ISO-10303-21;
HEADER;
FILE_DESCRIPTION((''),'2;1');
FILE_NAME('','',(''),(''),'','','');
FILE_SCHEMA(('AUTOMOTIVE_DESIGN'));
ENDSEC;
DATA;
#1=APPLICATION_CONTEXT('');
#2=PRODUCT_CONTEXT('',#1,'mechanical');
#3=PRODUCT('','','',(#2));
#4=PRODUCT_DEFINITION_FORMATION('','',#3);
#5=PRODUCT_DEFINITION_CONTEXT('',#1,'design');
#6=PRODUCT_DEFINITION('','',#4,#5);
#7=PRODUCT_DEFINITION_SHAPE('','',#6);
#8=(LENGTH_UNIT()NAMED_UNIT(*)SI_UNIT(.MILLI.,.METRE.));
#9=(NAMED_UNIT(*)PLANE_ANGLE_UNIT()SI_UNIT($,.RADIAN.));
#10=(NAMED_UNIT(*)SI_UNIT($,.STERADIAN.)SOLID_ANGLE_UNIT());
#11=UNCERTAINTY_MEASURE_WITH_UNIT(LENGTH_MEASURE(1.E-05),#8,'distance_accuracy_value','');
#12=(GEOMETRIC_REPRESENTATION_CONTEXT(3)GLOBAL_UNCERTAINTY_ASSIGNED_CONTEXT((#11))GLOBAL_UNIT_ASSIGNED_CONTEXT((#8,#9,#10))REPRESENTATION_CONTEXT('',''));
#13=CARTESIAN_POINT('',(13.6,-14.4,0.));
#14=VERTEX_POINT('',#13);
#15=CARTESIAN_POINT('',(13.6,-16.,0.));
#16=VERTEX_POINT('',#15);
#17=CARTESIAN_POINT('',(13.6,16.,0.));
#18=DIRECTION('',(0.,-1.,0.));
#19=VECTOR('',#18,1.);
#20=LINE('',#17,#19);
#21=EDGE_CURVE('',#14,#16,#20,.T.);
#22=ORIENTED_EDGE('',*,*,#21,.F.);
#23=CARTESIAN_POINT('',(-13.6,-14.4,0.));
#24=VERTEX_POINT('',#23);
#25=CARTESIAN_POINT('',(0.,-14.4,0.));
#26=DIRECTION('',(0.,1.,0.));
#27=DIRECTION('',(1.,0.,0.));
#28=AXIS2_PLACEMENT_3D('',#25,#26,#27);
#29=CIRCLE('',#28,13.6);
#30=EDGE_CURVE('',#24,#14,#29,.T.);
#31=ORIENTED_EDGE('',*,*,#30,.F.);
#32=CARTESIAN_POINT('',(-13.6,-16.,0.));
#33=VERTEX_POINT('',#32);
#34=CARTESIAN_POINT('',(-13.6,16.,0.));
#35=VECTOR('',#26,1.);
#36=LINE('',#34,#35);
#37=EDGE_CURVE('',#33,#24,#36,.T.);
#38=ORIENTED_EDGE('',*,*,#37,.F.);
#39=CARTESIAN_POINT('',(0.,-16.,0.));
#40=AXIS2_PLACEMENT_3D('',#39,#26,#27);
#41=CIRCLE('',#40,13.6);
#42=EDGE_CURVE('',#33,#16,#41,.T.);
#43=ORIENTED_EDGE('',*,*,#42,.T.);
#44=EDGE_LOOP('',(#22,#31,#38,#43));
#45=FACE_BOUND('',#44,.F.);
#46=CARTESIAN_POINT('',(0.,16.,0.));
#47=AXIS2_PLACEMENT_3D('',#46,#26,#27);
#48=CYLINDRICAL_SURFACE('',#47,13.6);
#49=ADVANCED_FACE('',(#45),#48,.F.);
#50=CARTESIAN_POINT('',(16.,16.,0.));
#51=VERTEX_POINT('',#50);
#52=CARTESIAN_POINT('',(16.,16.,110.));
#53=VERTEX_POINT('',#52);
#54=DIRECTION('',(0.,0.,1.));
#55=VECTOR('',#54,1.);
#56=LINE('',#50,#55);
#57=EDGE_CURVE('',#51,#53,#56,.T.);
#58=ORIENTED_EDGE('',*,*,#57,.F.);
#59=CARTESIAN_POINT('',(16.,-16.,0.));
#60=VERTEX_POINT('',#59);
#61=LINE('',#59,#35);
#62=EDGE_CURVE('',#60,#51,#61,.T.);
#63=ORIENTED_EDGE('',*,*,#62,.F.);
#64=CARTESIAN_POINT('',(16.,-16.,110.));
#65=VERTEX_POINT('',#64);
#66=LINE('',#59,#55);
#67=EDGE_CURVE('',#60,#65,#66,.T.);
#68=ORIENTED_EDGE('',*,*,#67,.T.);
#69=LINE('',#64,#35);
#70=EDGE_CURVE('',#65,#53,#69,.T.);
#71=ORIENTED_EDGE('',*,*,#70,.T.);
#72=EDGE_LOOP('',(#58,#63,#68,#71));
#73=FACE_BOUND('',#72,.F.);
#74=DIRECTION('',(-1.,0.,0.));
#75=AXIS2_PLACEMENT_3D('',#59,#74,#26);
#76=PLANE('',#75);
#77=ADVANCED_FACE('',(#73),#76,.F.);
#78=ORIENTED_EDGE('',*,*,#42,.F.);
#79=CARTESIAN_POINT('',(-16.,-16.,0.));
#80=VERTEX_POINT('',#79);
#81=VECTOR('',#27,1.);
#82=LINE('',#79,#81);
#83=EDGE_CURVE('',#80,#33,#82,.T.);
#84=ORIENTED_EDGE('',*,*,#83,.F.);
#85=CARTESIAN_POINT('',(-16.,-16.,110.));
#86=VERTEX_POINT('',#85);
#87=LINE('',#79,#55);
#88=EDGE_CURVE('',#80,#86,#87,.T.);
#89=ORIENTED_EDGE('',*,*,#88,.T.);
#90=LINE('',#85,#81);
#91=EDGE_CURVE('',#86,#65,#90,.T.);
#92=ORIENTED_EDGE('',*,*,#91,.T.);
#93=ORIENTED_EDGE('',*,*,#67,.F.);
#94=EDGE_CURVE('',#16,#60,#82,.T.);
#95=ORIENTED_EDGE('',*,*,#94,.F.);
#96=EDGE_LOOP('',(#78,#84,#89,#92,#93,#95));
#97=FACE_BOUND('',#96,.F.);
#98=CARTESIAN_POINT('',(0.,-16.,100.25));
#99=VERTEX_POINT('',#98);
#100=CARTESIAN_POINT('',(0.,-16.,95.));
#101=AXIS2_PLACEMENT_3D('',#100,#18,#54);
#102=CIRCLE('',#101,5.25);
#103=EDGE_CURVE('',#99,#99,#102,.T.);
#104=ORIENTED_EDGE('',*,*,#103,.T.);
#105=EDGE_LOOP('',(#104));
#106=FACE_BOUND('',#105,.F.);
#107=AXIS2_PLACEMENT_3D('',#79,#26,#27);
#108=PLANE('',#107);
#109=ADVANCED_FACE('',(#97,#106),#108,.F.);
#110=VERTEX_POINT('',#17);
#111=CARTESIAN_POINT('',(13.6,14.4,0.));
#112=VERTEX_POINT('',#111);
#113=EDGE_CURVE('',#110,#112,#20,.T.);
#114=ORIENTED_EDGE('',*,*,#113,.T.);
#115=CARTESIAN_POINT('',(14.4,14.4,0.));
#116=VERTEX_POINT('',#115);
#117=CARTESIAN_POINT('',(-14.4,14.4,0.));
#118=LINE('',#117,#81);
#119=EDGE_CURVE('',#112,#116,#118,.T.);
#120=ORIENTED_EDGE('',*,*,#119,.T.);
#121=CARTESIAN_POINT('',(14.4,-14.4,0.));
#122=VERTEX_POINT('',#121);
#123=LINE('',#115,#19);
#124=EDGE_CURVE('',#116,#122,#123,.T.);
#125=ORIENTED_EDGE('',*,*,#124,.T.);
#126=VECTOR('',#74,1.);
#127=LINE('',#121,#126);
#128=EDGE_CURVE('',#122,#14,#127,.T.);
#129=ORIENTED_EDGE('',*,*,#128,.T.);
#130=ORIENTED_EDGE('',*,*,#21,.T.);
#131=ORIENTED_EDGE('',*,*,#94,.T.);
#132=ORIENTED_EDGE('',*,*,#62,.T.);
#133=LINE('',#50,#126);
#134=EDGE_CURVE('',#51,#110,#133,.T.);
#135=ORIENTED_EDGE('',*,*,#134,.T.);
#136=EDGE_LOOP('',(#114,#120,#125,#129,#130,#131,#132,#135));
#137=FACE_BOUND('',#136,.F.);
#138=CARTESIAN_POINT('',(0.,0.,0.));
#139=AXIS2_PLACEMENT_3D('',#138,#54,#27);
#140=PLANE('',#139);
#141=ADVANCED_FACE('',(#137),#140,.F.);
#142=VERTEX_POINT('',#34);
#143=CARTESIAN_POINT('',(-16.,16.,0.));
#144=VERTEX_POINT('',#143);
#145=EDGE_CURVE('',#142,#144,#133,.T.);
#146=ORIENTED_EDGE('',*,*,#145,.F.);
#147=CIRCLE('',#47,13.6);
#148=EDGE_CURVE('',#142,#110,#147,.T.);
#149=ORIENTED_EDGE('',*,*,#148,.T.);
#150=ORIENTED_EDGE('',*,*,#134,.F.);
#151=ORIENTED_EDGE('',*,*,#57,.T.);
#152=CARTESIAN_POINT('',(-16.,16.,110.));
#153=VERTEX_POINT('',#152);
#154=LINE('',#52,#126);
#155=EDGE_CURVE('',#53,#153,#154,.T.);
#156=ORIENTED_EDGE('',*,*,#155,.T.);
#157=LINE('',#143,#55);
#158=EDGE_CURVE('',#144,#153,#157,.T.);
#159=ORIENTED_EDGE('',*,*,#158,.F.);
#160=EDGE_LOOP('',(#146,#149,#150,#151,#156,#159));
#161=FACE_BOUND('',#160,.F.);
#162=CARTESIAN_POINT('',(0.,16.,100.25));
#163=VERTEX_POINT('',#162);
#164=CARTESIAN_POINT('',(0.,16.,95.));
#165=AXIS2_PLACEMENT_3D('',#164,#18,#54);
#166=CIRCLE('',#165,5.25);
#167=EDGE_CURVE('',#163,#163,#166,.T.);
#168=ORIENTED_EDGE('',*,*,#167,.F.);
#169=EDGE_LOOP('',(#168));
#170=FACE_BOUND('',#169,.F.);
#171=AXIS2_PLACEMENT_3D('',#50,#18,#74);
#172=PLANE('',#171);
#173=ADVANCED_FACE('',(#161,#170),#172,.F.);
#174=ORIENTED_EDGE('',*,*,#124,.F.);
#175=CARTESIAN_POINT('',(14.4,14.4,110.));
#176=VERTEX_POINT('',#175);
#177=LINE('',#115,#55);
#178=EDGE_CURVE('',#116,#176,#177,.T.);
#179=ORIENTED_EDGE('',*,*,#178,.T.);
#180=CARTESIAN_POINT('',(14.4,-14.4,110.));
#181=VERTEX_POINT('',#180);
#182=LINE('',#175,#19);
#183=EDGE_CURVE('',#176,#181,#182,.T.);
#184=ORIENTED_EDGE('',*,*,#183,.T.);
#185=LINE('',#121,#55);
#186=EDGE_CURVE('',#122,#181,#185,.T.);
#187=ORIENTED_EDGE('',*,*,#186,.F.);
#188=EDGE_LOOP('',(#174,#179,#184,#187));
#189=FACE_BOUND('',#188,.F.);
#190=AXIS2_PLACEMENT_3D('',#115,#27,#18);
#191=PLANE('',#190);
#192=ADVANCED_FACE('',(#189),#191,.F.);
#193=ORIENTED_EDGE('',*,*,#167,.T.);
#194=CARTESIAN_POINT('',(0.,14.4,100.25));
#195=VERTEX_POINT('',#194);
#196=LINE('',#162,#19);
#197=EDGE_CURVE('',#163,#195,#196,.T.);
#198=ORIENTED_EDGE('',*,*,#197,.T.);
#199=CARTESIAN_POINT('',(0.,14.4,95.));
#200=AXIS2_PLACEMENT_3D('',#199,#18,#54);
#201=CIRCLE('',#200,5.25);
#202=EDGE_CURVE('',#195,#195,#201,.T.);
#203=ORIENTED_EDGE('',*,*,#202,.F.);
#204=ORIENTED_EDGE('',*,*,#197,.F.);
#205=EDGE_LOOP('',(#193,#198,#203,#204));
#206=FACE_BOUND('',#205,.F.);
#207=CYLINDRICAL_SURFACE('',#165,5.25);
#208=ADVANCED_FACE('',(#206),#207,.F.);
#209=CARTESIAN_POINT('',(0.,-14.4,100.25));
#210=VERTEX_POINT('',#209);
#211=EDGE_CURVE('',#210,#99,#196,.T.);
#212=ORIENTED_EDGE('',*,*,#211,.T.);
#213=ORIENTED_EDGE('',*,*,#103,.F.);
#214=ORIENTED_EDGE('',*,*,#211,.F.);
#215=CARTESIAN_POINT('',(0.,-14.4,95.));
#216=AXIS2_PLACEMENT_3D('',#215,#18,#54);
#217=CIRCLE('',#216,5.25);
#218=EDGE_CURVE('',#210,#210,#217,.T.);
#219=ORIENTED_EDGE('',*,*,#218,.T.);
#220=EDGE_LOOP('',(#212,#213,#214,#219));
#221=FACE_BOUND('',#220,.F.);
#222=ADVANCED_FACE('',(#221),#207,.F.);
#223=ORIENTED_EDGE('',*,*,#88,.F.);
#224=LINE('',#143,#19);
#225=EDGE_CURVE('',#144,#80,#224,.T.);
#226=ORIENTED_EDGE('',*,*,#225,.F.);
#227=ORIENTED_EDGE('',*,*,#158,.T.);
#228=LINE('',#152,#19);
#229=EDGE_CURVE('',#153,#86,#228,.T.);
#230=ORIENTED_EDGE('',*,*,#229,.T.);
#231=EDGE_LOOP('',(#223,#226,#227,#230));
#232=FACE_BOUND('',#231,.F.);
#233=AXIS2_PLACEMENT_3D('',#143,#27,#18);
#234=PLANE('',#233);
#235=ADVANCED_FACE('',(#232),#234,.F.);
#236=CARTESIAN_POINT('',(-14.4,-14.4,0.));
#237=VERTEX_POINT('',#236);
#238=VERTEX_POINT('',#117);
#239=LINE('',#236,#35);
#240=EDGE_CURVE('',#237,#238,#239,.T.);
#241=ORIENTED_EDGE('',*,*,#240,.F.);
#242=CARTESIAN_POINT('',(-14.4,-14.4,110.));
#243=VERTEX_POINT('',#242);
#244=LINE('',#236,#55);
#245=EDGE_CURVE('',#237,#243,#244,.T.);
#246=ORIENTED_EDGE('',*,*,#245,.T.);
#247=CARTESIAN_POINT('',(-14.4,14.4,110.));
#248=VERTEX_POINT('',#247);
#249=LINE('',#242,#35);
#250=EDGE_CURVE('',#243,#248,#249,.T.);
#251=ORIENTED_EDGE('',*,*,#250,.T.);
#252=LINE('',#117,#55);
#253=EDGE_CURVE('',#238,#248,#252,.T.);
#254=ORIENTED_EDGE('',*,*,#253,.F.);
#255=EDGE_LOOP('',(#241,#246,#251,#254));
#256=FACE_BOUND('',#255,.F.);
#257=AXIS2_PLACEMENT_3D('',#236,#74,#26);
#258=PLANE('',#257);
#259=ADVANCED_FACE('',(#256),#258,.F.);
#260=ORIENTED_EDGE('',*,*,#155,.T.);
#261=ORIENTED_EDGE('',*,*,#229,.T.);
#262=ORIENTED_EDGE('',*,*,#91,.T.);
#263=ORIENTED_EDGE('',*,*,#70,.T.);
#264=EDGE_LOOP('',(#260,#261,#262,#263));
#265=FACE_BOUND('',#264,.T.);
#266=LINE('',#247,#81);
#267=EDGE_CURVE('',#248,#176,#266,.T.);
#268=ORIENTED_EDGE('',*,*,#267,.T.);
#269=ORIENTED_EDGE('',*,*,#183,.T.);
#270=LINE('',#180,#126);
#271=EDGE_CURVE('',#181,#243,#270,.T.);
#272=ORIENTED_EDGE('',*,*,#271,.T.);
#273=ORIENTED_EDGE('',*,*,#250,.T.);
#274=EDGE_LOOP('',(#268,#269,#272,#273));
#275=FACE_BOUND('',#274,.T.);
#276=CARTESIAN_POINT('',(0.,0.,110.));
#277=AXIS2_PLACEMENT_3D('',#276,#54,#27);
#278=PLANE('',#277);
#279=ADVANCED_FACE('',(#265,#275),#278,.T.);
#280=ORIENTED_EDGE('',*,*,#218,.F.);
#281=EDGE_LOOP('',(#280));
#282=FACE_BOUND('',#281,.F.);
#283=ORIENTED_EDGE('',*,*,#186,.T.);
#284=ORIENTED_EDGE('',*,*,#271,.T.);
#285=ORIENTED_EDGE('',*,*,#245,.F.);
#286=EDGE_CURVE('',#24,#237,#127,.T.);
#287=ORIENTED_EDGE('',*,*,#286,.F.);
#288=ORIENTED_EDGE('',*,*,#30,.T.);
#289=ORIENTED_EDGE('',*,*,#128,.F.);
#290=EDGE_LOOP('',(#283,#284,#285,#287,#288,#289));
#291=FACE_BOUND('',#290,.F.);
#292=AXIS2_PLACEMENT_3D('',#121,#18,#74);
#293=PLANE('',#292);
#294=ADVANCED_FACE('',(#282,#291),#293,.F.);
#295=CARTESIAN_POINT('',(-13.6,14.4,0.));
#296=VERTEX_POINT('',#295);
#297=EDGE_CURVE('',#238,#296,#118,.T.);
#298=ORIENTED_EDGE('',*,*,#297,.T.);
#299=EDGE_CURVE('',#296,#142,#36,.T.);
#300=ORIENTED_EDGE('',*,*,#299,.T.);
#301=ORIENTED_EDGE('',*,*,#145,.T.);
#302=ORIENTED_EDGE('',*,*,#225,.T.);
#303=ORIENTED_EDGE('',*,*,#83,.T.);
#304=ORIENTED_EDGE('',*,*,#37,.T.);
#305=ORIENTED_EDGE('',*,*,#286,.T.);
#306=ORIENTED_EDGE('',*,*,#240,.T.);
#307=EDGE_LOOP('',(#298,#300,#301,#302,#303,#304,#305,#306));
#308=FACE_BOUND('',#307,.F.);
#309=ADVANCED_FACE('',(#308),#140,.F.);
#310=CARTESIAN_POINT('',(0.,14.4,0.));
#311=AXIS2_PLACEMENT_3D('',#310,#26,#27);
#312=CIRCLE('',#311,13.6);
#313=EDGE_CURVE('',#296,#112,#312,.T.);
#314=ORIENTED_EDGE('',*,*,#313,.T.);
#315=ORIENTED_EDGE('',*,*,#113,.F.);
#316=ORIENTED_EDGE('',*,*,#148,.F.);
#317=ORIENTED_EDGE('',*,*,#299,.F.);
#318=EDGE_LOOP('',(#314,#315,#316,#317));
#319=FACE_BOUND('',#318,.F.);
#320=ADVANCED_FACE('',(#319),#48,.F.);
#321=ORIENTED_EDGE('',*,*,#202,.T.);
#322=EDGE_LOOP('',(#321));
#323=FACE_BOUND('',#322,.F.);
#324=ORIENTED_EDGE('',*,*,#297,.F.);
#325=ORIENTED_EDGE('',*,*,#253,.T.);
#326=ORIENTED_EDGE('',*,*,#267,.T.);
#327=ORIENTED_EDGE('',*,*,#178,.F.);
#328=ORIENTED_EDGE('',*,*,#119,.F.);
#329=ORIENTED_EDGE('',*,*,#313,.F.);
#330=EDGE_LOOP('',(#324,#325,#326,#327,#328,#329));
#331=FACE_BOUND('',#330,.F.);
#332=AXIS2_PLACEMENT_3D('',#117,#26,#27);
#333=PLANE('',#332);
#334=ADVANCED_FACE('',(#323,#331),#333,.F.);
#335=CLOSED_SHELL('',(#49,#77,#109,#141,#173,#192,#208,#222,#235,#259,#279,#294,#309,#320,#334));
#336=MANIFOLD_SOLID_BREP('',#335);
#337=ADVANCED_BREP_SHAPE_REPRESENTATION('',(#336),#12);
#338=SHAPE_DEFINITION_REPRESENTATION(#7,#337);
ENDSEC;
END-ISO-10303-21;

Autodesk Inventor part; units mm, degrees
ref_plane "YZ Plane" through (0, 0, 0) normal (1, 0, 0) x (0, 1, 0)
ref_plane "XZ Plane" through (0, 0, 0) normal (0, 1, 0) x (-1, 0, 0)
ref_plane "XY Plane" through (0, 0, 0) normal (0, 0, 1) x (1, 0, 0)
sketch "スケッチ1" plane through (0, 0, 0) normal (0, 0, 1) x (1, 0, 0)
  line L0 (-16, -16) -> (16, -16)
  line L1 (16, -16) -> (16, 16)
  line L2 (16, 16) -> (-16, 16)
  line L3 (-16, 16) -> (-16, -16)
  line L4 (-16, -16) -> (16, 16) construction
  line L5 (16, -16) -> (-16, 16) construction
  line L6 (-14.4, 14.4) -> (14.4, 14.4)
  line L7 (14.4, 14.4) -> (14.4, -14.4)
  line L8 (14.4, -14.4) -> (-14.4, -14.4)
  line L9 (-14.4, -14.4) -> (-14.4, 14.4)
  point P0 (0, 0)
  dimension "d0" = 32
  dimension "d1" = 32
  dimension "d2" = 1.6
extrude "押し出し1" add sketch "スケッチ1" along normal blind 110
sketch "スケッチ2" plane through (-16, 16, 0) normal (0, 1, 0) x (1, 0, 0)
  circle A0 centre (16, 0) radius 13.6
  dimension "d5" = 27.2
extrude "押し出し2" cut sketch "スケッチ2" against normal blind 32
sketch "スケッチ3" plane through (-16, 16, 110) normal (0, 1, 0) x (1, 0, 0)
  line L0 (32, 0) -> (0, 0) projected
  point P0 (16, 110)
  point P1 (16, 15)
  dimension "d16" = 95
hole "穴1" at (0, 16, 95) direction (0, -1, 0) diameter 10.5 end through all
sketch "スケッチ4" plane through (-16, 16, 110) normal (0, 1, 0) x (1, 0, 0)
  circle A0 centre (16, 15) radius 13.6
  point P0 (16, 110)
  dimension "d17" = 95
  dimension "d18" = 27.2
properties part number "軸受上用"
